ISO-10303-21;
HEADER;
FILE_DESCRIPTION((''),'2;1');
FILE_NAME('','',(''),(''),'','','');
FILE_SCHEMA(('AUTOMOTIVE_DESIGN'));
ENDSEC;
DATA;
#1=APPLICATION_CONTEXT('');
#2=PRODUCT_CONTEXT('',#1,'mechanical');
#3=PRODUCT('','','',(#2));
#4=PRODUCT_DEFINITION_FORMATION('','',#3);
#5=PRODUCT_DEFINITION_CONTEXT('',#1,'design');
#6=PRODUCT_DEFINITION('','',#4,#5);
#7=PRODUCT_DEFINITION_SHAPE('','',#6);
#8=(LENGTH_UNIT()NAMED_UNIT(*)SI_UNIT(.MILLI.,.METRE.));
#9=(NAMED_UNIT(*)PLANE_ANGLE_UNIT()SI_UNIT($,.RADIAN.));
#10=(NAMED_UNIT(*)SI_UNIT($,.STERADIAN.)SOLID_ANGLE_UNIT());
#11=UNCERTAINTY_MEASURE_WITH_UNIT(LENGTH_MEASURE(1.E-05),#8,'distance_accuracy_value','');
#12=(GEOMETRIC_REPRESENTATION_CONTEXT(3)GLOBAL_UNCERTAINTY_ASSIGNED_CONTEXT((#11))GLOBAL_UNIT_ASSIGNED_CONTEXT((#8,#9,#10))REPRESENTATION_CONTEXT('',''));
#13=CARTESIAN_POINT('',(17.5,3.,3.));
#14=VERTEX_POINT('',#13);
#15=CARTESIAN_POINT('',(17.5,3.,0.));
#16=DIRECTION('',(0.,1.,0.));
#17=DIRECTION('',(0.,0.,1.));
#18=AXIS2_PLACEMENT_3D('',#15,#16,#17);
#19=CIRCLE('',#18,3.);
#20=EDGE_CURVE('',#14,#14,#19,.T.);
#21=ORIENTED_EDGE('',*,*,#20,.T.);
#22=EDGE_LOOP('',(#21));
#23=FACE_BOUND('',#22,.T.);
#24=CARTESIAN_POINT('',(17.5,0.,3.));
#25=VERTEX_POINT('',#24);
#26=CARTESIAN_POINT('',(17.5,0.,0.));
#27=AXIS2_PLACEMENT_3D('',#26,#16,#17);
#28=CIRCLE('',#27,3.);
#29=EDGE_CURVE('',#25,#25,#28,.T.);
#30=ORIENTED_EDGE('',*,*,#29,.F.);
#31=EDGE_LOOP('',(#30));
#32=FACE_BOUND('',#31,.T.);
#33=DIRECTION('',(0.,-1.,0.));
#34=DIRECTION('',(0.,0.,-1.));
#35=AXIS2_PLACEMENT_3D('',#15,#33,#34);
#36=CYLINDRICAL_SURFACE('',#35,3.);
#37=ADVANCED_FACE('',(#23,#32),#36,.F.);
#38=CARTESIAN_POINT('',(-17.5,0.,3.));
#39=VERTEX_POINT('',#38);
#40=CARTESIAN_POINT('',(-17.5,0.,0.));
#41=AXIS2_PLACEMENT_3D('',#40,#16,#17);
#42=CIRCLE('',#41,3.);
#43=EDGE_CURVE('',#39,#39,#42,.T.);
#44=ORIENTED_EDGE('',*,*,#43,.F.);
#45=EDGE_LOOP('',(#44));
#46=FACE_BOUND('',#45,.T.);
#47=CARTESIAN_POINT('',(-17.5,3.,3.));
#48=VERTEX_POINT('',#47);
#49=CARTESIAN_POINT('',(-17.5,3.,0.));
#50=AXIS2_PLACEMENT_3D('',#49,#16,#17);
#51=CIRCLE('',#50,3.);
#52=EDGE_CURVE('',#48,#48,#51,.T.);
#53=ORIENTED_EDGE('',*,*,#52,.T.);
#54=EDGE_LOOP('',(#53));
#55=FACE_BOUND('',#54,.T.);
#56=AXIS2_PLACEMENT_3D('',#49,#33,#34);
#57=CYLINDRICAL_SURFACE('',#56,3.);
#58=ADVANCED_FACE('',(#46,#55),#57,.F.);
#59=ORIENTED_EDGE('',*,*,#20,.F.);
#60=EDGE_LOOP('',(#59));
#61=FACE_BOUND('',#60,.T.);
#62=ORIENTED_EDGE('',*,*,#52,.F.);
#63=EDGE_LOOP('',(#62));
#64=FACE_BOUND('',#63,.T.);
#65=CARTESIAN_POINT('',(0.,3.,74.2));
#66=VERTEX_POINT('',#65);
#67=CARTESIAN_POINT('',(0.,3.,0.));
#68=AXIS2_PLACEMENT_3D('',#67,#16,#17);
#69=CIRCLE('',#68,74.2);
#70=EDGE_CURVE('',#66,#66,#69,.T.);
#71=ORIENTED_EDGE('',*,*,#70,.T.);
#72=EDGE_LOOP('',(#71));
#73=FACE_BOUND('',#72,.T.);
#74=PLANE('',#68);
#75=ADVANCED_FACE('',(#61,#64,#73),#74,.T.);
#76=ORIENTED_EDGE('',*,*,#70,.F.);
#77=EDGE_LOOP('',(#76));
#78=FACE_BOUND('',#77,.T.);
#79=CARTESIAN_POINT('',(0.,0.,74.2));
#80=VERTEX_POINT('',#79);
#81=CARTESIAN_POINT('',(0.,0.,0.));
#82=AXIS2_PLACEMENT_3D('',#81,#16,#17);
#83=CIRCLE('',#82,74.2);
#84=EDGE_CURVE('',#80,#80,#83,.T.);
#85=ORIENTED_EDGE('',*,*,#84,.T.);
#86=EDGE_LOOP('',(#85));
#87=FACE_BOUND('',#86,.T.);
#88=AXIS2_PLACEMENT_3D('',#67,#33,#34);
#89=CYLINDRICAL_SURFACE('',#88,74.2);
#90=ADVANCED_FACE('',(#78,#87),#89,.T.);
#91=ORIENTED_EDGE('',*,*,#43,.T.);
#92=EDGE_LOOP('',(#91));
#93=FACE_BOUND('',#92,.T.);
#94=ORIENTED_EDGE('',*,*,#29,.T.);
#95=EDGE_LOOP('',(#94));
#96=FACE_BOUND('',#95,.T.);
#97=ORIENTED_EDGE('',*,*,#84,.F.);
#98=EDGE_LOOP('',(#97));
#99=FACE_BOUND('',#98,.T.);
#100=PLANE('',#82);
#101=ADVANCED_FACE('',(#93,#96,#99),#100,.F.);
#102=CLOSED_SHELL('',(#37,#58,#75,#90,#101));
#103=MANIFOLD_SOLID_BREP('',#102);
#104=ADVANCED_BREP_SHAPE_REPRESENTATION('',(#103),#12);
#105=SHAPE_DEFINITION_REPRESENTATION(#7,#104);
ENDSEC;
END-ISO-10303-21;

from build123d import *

# Parameters (mm, degrees)
SKETCH1_R           = 74.2
SKETCH1_R_2         = 3
BOSS_EXTRUDE1_DEPTH = 3


with BuildPart() as part:
    # Sketch1 → Boss-Extrude1 (new body)
    with BuildSketch(Plane(origin=(0, 0, 0), x_dir=(1, 0, 0), z_dir=(0, 1, 0))):
        with Locations(Location((0, 0, 0), (0, 0, 270))):
            Circle(SKETCH1_R)
        with Locations(Location((-17.5, 0, 0), (0, 0, 270))):
            Circle(SKETCH1_R_2, mode=Mode.SUBTRACT)
        with Locations(Location((17.5, 0, 0), (0, 0, 270))):
            Circle(SKETCH1_R_2, mode=Mode.SUBTRACT)
    extrude(amount=BOSS_EXTRUDE1_DEPTH)


solid = part.part
